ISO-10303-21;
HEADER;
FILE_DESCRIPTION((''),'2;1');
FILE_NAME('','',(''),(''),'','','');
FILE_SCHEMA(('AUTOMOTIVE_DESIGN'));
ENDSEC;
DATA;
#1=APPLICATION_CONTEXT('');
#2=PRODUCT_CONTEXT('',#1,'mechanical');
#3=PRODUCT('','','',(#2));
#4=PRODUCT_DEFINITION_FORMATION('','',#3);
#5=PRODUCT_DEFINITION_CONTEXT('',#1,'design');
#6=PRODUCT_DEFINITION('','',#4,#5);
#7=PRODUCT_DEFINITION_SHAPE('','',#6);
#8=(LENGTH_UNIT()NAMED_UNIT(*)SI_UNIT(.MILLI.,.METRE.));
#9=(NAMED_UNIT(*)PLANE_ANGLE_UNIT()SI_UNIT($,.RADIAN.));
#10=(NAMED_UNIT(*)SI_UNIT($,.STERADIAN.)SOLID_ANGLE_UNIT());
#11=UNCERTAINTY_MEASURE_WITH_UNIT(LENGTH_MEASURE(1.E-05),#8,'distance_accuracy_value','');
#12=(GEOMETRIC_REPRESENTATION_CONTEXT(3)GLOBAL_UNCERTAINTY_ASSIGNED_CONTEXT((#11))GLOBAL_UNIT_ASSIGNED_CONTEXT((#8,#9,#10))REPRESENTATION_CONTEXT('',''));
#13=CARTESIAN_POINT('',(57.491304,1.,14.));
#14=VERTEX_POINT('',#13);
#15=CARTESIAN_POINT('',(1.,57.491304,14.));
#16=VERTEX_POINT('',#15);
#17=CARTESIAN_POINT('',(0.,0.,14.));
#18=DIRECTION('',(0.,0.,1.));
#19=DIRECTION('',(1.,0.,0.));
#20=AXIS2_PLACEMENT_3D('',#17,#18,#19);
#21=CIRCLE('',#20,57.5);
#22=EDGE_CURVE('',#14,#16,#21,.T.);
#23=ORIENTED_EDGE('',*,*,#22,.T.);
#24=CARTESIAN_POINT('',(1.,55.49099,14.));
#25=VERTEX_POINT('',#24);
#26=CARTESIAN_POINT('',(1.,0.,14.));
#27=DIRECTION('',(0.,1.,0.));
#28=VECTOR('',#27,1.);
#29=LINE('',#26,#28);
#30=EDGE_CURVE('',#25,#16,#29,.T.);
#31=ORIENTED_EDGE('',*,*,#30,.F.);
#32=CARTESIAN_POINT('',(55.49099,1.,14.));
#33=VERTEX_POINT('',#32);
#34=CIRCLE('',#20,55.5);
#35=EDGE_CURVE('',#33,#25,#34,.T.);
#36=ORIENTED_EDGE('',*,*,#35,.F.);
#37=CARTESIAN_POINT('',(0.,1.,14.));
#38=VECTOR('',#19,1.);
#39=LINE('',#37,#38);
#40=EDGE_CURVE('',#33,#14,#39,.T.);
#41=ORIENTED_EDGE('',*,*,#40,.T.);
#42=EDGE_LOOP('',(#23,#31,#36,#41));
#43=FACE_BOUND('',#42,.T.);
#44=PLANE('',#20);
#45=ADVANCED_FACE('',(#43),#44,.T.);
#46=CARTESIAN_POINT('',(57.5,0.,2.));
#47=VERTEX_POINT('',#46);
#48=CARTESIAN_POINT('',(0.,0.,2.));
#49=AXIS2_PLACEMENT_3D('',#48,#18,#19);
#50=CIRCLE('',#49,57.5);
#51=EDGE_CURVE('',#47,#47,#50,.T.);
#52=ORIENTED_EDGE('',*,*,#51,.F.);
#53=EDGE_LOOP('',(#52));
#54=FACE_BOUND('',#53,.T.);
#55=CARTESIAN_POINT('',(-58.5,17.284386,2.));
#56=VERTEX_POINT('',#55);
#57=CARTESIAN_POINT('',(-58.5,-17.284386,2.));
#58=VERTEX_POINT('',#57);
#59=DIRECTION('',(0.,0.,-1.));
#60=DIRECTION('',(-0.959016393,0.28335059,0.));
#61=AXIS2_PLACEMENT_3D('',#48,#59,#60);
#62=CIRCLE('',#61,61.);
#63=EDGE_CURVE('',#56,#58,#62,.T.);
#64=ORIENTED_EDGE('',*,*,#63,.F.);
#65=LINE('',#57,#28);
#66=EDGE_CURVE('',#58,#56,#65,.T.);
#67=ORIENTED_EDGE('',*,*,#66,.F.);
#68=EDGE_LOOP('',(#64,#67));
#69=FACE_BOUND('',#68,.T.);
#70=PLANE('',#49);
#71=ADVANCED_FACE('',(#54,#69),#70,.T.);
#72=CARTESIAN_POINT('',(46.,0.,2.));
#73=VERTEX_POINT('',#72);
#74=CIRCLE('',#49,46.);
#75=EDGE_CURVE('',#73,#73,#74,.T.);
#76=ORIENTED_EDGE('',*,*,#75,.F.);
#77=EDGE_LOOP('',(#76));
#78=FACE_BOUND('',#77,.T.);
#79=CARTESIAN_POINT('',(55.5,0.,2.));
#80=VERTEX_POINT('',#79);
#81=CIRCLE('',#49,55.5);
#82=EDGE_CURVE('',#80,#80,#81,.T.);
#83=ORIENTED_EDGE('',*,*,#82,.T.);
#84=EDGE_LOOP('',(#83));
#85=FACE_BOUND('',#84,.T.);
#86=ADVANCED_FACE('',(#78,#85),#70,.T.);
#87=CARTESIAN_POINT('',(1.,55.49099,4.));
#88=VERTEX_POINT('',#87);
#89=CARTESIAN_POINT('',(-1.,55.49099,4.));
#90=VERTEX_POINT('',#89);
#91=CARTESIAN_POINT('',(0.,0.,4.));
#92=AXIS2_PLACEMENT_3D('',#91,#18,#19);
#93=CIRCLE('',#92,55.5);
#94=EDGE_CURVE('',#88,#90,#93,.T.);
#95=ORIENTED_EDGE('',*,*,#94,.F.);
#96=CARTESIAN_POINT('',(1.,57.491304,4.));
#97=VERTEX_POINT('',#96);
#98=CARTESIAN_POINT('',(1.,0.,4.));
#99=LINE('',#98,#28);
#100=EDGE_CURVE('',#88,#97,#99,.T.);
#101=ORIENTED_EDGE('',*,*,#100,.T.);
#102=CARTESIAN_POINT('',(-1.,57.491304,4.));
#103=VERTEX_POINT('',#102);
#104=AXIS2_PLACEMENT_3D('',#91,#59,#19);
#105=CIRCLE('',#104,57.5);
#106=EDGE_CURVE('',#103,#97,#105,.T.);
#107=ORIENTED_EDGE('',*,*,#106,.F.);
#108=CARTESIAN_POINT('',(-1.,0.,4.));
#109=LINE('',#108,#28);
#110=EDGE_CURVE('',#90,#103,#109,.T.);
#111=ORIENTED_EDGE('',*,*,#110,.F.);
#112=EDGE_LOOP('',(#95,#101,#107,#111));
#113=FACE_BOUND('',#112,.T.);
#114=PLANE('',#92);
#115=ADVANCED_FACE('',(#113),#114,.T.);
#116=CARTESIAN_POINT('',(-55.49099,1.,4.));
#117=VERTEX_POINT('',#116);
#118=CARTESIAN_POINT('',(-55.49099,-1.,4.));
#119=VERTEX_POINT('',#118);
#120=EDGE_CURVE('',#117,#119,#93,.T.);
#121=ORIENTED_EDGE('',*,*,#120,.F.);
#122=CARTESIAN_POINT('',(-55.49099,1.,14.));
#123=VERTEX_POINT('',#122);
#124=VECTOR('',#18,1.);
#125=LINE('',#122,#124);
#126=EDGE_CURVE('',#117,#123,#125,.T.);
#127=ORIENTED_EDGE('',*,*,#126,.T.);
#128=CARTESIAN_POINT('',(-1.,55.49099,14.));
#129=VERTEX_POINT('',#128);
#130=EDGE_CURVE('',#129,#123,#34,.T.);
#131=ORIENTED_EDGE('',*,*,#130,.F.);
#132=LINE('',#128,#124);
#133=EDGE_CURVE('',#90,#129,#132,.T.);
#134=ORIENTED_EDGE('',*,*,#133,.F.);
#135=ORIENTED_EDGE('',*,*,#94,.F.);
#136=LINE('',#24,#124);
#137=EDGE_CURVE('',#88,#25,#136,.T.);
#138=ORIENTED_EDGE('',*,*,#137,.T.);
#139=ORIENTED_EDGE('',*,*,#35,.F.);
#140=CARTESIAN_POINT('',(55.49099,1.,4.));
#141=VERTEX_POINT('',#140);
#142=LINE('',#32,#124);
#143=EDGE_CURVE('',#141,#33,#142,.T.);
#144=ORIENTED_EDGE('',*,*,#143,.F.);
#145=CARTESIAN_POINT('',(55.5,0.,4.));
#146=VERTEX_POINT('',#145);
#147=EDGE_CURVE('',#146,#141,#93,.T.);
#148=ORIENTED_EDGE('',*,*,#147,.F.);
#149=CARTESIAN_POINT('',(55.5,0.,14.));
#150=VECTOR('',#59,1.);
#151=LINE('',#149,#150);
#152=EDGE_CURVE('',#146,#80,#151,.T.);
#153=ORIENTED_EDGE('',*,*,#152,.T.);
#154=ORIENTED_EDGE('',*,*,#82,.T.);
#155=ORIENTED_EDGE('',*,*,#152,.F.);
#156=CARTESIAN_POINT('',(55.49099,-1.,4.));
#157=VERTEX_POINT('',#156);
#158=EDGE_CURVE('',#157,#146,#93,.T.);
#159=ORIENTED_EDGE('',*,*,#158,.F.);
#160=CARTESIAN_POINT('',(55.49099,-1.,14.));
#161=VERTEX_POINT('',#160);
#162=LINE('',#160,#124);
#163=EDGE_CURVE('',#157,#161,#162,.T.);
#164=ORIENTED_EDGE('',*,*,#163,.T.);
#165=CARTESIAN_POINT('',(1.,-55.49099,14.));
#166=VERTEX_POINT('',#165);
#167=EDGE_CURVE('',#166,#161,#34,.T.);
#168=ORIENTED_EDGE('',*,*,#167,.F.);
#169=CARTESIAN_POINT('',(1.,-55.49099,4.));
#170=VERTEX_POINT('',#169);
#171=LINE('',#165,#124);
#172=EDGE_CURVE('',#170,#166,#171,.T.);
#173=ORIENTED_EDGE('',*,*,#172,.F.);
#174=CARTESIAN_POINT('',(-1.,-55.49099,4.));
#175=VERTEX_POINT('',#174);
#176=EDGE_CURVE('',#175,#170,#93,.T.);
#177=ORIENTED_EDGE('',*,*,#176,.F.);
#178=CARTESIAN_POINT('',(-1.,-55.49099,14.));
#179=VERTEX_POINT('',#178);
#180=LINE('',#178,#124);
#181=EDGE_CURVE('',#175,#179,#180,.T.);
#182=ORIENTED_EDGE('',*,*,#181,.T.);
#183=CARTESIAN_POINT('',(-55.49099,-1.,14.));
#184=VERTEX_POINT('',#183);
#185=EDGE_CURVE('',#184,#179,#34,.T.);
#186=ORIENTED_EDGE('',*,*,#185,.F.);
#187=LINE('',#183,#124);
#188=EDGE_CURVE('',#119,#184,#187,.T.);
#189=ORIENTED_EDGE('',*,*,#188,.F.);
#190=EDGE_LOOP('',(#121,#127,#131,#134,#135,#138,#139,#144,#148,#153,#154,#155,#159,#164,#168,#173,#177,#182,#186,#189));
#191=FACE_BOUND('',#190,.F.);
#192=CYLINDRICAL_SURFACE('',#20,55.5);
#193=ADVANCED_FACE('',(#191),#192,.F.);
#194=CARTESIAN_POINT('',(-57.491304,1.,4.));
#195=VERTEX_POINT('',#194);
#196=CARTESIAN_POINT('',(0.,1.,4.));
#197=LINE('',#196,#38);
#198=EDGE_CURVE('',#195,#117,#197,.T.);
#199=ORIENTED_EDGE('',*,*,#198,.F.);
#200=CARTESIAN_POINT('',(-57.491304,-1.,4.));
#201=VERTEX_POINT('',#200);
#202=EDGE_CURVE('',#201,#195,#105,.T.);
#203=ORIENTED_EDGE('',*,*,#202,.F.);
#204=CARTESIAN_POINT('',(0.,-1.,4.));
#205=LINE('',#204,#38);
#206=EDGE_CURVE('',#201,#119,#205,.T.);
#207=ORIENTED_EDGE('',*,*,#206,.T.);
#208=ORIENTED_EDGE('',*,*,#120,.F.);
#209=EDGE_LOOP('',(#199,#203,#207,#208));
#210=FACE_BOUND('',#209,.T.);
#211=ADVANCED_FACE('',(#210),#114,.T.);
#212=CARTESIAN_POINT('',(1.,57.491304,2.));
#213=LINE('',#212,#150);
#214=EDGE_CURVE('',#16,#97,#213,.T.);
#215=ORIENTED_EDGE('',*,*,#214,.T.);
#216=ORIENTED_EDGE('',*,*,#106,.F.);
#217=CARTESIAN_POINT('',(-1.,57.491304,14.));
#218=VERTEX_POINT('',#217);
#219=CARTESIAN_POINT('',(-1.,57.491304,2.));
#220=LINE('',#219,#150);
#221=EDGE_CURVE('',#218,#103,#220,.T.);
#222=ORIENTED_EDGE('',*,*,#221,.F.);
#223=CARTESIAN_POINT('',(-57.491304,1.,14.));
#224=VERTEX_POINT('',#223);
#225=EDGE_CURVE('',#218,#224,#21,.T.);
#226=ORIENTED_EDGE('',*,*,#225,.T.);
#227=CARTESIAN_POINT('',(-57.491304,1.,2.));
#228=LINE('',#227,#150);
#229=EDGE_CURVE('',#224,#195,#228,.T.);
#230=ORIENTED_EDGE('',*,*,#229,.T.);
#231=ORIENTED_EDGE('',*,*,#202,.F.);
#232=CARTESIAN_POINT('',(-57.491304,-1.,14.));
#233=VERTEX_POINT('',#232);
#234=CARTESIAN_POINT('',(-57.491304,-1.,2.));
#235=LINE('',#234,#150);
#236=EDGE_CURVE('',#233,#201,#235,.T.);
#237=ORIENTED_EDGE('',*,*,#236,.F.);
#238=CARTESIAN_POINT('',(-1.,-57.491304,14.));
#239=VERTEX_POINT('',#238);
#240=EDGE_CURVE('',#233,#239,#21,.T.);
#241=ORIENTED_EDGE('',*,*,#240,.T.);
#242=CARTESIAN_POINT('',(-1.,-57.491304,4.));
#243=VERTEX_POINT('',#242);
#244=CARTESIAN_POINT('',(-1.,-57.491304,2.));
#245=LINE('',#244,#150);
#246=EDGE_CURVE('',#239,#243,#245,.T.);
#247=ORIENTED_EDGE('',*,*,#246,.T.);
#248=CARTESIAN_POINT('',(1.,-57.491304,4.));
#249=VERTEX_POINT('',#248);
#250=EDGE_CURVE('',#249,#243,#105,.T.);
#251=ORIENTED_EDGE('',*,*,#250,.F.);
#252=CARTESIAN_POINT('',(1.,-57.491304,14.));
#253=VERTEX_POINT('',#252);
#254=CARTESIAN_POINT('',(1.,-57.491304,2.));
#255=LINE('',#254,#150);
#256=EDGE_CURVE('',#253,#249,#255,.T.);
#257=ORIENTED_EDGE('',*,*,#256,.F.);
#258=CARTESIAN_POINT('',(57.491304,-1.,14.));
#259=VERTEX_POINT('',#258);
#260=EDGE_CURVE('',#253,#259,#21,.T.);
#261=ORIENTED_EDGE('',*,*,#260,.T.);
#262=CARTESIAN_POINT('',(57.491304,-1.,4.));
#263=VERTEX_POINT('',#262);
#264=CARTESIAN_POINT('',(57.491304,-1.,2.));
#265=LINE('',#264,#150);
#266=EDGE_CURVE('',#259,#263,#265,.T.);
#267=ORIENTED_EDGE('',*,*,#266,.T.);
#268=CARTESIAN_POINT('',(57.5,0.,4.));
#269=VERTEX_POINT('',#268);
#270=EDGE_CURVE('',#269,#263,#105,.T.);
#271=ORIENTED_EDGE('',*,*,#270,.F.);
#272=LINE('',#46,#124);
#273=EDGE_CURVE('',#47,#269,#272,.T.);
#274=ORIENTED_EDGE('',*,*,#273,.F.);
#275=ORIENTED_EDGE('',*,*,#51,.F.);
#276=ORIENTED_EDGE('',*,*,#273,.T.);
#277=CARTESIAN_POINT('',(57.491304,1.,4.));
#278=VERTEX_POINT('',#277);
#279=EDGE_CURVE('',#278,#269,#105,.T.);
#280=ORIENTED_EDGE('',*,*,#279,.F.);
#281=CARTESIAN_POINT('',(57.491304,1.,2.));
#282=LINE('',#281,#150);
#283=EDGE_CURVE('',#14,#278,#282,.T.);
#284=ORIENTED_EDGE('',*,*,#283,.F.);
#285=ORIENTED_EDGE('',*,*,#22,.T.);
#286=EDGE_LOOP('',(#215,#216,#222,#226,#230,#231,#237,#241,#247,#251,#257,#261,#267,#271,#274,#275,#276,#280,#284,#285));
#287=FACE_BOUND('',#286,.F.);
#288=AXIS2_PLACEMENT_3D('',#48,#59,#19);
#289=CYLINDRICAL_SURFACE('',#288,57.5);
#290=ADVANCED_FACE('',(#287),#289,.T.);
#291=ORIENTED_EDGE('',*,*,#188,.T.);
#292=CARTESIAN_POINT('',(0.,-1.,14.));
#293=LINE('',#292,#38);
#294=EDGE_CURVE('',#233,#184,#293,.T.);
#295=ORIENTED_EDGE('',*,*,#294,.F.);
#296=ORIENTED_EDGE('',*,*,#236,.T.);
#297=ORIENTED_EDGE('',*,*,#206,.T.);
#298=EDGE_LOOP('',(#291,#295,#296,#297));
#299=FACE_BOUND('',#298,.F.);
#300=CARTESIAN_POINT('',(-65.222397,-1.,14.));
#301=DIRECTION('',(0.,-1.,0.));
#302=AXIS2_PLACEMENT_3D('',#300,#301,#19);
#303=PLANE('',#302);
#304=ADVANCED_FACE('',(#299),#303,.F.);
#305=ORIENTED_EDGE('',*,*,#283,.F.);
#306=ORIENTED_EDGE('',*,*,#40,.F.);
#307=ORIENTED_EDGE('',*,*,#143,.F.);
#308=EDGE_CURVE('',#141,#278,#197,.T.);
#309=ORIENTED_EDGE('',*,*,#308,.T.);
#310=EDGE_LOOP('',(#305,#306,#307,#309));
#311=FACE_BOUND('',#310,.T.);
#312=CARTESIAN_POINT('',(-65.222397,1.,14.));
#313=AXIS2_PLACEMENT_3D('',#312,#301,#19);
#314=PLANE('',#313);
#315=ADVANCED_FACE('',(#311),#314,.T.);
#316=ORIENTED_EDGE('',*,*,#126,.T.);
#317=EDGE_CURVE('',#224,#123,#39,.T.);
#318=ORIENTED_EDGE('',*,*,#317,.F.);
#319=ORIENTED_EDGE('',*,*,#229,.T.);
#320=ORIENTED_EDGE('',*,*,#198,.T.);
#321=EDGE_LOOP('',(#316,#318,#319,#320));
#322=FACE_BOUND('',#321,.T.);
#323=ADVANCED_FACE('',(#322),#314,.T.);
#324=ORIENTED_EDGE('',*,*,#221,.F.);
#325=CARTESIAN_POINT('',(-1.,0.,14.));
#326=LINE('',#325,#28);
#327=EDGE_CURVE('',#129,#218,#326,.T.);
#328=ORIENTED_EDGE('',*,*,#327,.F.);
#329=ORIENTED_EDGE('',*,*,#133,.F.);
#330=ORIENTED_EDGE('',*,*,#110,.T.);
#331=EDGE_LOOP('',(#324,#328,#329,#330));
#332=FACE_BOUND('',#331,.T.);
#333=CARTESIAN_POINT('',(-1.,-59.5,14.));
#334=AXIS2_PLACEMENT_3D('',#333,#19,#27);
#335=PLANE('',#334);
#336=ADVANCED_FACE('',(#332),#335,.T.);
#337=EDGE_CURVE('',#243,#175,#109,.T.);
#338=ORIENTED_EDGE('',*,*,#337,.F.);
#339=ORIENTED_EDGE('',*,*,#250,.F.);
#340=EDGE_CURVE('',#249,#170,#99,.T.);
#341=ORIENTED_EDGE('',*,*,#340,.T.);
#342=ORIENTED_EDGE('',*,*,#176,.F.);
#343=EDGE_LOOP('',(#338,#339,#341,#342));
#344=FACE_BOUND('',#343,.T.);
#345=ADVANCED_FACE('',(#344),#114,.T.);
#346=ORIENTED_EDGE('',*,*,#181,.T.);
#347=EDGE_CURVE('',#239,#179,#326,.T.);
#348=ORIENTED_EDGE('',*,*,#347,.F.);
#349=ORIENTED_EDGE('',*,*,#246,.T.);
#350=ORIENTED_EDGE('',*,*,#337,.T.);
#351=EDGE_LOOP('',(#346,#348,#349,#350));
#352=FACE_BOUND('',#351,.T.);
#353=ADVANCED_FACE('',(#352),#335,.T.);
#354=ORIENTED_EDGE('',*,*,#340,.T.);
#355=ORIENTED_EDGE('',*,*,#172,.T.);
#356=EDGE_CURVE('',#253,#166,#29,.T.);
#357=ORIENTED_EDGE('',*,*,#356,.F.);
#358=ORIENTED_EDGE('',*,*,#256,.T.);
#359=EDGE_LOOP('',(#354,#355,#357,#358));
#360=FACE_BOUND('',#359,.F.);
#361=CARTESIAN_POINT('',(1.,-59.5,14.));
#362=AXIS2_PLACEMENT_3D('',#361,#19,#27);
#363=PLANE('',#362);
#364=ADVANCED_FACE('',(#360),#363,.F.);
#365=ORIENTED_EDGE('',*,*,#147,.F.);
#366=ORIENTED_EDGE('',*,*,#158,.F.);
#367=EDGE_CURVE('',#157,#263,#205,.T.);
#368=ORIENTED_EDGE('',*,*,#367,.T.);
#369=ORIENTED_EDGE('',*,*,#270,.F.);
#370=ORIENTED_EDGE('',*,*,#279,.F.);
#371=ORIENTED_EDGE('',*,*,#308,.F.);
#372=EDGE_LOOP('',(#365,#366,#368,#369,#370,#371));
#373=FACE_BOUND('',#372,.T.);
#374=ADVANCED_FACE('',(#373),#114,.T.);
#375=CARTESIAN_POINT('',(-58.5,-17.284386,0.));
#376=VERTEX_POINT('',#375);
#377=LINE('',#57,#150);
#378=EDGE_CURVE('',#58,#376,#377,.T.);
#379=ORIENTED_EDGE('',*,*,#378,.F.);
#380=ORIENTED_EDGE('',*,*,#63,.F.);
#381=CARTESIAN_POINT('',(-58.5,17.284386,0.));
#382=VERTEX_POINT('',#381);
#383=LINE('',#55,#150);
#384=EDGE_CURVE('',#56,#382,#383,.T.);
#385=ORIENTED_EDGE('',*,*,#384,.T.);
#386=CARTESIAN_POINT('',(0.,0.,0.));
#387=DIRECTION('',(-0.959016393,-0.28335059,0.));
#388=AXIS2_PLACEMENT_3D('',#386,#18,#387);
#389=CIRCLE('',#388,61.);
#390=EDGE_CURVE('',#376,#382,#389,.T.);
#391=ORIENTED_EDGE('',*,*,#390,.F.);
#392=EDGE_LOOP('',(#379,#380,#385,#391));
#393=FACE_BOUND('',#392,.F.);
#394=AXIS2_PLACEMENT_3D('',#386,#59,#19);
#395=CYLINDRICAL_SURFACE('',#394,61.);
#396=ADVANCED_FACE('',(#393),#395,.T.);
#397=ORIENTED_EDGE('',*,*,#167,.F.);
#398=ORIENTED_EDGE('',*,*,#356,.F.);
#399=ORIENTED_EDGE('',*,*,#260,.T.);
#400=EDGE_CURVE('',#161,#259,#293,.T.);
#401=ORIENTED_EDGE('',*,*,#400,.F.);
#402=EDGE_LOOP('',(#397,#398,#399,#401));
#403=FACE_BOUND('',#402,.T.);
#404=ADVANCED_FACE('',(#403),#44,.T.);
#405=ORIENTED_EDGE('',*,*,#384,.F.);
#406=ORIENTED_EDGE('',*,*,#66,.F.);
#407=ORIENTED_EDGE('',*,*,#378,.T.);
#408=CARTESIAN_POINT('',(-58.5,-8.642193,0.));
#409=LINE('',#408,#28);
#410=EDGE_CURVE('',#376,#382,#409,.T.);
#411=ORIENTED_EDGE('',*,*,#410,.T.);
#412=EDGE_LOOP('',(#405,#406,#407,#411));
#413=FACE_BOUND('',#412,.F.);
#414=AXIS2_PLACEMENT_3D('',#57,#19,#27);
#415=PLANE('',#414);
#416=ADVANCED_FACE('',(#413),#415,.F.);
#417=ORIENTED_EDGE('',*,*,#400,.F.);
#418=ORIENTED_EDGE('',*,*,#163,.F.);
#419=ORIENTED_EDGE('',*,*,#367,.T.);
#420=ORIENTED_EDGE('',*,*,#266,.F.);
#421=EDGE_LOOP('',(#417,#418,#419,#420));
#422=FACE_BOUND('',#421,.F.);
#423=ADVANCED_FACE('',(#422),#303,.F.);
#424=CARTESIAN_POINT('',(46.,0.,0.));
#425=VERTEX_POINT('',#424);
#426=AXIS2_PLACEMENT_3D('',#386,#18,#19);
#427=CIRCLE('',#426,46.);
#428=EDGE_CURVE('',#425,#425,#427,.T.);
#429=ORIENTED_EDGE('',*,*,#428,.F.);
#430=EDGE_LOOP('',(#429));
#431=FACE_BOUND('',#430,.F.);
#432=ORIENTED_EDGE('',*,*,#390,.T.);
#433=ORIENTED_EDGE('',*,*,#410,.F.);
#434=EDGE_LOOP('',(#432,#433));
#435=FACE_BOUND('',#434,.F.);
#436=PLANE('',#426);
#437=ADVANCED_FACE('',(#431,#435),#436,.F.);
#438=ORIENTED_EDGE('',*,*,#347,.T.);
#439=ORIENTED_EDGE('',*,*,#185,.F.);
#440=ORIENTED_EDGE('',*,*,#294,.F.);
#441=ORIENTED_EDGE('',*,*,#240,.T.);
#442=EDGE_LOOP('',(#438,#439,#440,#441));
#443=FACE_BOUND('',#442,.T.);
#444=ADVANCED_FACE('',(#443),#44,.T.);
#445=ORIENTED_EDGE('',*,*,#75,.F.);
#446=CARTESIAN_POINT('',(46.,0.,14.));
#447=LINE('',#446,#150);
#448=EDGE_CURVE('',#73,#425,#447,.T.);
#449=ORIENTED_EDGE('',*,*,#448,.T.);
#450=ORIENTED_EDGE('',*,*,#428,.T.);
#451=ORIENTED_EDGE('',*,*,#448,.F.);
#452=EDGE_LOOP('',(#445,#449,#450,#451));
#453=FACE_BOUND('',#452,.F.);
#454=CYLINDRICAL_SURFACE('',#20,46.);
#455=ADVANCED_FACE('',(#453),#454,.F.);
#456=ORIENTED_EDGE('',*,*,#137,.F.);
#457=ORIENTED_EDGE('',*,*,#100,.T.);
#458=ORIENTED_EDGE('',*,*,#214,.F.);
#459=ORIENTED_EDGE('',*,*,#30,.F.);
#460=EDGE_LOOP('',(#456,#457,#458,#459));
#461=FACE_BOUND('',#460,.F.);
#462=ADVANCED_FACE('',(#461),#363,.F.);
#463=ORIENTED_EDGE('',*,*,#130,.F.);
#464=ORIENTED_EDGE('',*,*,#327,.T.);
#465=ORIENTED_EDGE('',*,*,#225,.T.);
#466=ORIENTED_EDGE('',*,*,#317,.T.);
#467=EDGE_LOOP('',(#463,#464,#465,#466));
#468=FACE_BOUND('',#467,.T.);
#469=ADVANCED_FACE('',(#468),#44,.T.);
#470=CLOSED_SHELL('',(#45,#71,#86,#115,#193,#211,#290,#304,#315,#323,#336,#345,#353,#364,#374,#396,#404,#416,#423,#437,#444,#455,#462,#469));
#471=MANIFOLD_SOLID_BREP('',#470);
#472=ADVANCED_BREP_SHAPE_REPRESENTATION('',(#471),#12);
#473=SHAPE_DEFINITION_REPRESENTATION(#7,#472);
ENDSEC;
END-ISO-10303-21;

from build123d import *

# Parameters (mm, degrees)
F0_R      = 61
F1_DEPTH  = 2
F2_R      = 57.5
F3_DEPTH  = 12
F4_R      = 46
F5_DEPTH  = 112.4
F6_R      = 55.5
F6_R_2    = 46
F7_DEPTH  = 12
F9_DEPTH  = 25
F10_W     = 130.4447948933
F10_H     = 2
F11_DEPTH = 10
F12_W     = 2
F12_H     = 119
F13_DEPTH = 10


with BuildPart() as f1:
    # F0 (on Top) → F1 (new body)
    with BuildSketch(Plane.XY):
        Circle(F0_R)
    extrude(amount=F1_DEPTH)

    # F2 (on face) → F3 (join)
    with BuildSketch(Plane.XY.offset(2)):
        Circle(F2_R)
    extrude(amount=F3_DEPTH)

    # F4 (on face) → F5 (cut)
    with BuildSketch(Plane.XY.offset(14)):
        Circle(F4_R)
    extrude(amount=-F5_DEPTH, mode=Mode.SUBTRACT)

    # F6 (on face) → F7 (cut)
    with BuildSketch(Plane.XY.offset(14)):
        Circle(F6_R)
        Circle(F6_R_2, mode=Mode.SUBTRACT)
    extrude(amount=-F7_DEPTH, mode=Mode.SUBTRACT)

    # F8 (on face) → F9 (cut)
    with BuildSketch(Plane.XY.offset(2)):
        with BuildLine():
            Line((-58.5, -17.2843860174), (-58.5, 17.2843860174))
            ThreePointArc((-58.5, 17.2843860174), (-61, 0), (-58.5, -17.2843860174))
        make_face()
    extrude(amount=-F9_DEPTH, mode=Mode.SUBTRACT)

    # F10 (on face) → F11 (cut)
    with BuildSketch(Plane.XY.offset(14)):
        Rectangle(F10_W, F10_H)
    extrude(amount=-F11_DEPTH, mode=Mode.SUBTRACT)

    # F12 (on face) → F13 (cut)
    with BuildSketch(Plane.XY.offset(14)):
        Rectangle(F12_W, F12_H)
    extrude(amount=-F13_DEPTH, mode=Mode.SUBTRACT)


solid = f1.part
